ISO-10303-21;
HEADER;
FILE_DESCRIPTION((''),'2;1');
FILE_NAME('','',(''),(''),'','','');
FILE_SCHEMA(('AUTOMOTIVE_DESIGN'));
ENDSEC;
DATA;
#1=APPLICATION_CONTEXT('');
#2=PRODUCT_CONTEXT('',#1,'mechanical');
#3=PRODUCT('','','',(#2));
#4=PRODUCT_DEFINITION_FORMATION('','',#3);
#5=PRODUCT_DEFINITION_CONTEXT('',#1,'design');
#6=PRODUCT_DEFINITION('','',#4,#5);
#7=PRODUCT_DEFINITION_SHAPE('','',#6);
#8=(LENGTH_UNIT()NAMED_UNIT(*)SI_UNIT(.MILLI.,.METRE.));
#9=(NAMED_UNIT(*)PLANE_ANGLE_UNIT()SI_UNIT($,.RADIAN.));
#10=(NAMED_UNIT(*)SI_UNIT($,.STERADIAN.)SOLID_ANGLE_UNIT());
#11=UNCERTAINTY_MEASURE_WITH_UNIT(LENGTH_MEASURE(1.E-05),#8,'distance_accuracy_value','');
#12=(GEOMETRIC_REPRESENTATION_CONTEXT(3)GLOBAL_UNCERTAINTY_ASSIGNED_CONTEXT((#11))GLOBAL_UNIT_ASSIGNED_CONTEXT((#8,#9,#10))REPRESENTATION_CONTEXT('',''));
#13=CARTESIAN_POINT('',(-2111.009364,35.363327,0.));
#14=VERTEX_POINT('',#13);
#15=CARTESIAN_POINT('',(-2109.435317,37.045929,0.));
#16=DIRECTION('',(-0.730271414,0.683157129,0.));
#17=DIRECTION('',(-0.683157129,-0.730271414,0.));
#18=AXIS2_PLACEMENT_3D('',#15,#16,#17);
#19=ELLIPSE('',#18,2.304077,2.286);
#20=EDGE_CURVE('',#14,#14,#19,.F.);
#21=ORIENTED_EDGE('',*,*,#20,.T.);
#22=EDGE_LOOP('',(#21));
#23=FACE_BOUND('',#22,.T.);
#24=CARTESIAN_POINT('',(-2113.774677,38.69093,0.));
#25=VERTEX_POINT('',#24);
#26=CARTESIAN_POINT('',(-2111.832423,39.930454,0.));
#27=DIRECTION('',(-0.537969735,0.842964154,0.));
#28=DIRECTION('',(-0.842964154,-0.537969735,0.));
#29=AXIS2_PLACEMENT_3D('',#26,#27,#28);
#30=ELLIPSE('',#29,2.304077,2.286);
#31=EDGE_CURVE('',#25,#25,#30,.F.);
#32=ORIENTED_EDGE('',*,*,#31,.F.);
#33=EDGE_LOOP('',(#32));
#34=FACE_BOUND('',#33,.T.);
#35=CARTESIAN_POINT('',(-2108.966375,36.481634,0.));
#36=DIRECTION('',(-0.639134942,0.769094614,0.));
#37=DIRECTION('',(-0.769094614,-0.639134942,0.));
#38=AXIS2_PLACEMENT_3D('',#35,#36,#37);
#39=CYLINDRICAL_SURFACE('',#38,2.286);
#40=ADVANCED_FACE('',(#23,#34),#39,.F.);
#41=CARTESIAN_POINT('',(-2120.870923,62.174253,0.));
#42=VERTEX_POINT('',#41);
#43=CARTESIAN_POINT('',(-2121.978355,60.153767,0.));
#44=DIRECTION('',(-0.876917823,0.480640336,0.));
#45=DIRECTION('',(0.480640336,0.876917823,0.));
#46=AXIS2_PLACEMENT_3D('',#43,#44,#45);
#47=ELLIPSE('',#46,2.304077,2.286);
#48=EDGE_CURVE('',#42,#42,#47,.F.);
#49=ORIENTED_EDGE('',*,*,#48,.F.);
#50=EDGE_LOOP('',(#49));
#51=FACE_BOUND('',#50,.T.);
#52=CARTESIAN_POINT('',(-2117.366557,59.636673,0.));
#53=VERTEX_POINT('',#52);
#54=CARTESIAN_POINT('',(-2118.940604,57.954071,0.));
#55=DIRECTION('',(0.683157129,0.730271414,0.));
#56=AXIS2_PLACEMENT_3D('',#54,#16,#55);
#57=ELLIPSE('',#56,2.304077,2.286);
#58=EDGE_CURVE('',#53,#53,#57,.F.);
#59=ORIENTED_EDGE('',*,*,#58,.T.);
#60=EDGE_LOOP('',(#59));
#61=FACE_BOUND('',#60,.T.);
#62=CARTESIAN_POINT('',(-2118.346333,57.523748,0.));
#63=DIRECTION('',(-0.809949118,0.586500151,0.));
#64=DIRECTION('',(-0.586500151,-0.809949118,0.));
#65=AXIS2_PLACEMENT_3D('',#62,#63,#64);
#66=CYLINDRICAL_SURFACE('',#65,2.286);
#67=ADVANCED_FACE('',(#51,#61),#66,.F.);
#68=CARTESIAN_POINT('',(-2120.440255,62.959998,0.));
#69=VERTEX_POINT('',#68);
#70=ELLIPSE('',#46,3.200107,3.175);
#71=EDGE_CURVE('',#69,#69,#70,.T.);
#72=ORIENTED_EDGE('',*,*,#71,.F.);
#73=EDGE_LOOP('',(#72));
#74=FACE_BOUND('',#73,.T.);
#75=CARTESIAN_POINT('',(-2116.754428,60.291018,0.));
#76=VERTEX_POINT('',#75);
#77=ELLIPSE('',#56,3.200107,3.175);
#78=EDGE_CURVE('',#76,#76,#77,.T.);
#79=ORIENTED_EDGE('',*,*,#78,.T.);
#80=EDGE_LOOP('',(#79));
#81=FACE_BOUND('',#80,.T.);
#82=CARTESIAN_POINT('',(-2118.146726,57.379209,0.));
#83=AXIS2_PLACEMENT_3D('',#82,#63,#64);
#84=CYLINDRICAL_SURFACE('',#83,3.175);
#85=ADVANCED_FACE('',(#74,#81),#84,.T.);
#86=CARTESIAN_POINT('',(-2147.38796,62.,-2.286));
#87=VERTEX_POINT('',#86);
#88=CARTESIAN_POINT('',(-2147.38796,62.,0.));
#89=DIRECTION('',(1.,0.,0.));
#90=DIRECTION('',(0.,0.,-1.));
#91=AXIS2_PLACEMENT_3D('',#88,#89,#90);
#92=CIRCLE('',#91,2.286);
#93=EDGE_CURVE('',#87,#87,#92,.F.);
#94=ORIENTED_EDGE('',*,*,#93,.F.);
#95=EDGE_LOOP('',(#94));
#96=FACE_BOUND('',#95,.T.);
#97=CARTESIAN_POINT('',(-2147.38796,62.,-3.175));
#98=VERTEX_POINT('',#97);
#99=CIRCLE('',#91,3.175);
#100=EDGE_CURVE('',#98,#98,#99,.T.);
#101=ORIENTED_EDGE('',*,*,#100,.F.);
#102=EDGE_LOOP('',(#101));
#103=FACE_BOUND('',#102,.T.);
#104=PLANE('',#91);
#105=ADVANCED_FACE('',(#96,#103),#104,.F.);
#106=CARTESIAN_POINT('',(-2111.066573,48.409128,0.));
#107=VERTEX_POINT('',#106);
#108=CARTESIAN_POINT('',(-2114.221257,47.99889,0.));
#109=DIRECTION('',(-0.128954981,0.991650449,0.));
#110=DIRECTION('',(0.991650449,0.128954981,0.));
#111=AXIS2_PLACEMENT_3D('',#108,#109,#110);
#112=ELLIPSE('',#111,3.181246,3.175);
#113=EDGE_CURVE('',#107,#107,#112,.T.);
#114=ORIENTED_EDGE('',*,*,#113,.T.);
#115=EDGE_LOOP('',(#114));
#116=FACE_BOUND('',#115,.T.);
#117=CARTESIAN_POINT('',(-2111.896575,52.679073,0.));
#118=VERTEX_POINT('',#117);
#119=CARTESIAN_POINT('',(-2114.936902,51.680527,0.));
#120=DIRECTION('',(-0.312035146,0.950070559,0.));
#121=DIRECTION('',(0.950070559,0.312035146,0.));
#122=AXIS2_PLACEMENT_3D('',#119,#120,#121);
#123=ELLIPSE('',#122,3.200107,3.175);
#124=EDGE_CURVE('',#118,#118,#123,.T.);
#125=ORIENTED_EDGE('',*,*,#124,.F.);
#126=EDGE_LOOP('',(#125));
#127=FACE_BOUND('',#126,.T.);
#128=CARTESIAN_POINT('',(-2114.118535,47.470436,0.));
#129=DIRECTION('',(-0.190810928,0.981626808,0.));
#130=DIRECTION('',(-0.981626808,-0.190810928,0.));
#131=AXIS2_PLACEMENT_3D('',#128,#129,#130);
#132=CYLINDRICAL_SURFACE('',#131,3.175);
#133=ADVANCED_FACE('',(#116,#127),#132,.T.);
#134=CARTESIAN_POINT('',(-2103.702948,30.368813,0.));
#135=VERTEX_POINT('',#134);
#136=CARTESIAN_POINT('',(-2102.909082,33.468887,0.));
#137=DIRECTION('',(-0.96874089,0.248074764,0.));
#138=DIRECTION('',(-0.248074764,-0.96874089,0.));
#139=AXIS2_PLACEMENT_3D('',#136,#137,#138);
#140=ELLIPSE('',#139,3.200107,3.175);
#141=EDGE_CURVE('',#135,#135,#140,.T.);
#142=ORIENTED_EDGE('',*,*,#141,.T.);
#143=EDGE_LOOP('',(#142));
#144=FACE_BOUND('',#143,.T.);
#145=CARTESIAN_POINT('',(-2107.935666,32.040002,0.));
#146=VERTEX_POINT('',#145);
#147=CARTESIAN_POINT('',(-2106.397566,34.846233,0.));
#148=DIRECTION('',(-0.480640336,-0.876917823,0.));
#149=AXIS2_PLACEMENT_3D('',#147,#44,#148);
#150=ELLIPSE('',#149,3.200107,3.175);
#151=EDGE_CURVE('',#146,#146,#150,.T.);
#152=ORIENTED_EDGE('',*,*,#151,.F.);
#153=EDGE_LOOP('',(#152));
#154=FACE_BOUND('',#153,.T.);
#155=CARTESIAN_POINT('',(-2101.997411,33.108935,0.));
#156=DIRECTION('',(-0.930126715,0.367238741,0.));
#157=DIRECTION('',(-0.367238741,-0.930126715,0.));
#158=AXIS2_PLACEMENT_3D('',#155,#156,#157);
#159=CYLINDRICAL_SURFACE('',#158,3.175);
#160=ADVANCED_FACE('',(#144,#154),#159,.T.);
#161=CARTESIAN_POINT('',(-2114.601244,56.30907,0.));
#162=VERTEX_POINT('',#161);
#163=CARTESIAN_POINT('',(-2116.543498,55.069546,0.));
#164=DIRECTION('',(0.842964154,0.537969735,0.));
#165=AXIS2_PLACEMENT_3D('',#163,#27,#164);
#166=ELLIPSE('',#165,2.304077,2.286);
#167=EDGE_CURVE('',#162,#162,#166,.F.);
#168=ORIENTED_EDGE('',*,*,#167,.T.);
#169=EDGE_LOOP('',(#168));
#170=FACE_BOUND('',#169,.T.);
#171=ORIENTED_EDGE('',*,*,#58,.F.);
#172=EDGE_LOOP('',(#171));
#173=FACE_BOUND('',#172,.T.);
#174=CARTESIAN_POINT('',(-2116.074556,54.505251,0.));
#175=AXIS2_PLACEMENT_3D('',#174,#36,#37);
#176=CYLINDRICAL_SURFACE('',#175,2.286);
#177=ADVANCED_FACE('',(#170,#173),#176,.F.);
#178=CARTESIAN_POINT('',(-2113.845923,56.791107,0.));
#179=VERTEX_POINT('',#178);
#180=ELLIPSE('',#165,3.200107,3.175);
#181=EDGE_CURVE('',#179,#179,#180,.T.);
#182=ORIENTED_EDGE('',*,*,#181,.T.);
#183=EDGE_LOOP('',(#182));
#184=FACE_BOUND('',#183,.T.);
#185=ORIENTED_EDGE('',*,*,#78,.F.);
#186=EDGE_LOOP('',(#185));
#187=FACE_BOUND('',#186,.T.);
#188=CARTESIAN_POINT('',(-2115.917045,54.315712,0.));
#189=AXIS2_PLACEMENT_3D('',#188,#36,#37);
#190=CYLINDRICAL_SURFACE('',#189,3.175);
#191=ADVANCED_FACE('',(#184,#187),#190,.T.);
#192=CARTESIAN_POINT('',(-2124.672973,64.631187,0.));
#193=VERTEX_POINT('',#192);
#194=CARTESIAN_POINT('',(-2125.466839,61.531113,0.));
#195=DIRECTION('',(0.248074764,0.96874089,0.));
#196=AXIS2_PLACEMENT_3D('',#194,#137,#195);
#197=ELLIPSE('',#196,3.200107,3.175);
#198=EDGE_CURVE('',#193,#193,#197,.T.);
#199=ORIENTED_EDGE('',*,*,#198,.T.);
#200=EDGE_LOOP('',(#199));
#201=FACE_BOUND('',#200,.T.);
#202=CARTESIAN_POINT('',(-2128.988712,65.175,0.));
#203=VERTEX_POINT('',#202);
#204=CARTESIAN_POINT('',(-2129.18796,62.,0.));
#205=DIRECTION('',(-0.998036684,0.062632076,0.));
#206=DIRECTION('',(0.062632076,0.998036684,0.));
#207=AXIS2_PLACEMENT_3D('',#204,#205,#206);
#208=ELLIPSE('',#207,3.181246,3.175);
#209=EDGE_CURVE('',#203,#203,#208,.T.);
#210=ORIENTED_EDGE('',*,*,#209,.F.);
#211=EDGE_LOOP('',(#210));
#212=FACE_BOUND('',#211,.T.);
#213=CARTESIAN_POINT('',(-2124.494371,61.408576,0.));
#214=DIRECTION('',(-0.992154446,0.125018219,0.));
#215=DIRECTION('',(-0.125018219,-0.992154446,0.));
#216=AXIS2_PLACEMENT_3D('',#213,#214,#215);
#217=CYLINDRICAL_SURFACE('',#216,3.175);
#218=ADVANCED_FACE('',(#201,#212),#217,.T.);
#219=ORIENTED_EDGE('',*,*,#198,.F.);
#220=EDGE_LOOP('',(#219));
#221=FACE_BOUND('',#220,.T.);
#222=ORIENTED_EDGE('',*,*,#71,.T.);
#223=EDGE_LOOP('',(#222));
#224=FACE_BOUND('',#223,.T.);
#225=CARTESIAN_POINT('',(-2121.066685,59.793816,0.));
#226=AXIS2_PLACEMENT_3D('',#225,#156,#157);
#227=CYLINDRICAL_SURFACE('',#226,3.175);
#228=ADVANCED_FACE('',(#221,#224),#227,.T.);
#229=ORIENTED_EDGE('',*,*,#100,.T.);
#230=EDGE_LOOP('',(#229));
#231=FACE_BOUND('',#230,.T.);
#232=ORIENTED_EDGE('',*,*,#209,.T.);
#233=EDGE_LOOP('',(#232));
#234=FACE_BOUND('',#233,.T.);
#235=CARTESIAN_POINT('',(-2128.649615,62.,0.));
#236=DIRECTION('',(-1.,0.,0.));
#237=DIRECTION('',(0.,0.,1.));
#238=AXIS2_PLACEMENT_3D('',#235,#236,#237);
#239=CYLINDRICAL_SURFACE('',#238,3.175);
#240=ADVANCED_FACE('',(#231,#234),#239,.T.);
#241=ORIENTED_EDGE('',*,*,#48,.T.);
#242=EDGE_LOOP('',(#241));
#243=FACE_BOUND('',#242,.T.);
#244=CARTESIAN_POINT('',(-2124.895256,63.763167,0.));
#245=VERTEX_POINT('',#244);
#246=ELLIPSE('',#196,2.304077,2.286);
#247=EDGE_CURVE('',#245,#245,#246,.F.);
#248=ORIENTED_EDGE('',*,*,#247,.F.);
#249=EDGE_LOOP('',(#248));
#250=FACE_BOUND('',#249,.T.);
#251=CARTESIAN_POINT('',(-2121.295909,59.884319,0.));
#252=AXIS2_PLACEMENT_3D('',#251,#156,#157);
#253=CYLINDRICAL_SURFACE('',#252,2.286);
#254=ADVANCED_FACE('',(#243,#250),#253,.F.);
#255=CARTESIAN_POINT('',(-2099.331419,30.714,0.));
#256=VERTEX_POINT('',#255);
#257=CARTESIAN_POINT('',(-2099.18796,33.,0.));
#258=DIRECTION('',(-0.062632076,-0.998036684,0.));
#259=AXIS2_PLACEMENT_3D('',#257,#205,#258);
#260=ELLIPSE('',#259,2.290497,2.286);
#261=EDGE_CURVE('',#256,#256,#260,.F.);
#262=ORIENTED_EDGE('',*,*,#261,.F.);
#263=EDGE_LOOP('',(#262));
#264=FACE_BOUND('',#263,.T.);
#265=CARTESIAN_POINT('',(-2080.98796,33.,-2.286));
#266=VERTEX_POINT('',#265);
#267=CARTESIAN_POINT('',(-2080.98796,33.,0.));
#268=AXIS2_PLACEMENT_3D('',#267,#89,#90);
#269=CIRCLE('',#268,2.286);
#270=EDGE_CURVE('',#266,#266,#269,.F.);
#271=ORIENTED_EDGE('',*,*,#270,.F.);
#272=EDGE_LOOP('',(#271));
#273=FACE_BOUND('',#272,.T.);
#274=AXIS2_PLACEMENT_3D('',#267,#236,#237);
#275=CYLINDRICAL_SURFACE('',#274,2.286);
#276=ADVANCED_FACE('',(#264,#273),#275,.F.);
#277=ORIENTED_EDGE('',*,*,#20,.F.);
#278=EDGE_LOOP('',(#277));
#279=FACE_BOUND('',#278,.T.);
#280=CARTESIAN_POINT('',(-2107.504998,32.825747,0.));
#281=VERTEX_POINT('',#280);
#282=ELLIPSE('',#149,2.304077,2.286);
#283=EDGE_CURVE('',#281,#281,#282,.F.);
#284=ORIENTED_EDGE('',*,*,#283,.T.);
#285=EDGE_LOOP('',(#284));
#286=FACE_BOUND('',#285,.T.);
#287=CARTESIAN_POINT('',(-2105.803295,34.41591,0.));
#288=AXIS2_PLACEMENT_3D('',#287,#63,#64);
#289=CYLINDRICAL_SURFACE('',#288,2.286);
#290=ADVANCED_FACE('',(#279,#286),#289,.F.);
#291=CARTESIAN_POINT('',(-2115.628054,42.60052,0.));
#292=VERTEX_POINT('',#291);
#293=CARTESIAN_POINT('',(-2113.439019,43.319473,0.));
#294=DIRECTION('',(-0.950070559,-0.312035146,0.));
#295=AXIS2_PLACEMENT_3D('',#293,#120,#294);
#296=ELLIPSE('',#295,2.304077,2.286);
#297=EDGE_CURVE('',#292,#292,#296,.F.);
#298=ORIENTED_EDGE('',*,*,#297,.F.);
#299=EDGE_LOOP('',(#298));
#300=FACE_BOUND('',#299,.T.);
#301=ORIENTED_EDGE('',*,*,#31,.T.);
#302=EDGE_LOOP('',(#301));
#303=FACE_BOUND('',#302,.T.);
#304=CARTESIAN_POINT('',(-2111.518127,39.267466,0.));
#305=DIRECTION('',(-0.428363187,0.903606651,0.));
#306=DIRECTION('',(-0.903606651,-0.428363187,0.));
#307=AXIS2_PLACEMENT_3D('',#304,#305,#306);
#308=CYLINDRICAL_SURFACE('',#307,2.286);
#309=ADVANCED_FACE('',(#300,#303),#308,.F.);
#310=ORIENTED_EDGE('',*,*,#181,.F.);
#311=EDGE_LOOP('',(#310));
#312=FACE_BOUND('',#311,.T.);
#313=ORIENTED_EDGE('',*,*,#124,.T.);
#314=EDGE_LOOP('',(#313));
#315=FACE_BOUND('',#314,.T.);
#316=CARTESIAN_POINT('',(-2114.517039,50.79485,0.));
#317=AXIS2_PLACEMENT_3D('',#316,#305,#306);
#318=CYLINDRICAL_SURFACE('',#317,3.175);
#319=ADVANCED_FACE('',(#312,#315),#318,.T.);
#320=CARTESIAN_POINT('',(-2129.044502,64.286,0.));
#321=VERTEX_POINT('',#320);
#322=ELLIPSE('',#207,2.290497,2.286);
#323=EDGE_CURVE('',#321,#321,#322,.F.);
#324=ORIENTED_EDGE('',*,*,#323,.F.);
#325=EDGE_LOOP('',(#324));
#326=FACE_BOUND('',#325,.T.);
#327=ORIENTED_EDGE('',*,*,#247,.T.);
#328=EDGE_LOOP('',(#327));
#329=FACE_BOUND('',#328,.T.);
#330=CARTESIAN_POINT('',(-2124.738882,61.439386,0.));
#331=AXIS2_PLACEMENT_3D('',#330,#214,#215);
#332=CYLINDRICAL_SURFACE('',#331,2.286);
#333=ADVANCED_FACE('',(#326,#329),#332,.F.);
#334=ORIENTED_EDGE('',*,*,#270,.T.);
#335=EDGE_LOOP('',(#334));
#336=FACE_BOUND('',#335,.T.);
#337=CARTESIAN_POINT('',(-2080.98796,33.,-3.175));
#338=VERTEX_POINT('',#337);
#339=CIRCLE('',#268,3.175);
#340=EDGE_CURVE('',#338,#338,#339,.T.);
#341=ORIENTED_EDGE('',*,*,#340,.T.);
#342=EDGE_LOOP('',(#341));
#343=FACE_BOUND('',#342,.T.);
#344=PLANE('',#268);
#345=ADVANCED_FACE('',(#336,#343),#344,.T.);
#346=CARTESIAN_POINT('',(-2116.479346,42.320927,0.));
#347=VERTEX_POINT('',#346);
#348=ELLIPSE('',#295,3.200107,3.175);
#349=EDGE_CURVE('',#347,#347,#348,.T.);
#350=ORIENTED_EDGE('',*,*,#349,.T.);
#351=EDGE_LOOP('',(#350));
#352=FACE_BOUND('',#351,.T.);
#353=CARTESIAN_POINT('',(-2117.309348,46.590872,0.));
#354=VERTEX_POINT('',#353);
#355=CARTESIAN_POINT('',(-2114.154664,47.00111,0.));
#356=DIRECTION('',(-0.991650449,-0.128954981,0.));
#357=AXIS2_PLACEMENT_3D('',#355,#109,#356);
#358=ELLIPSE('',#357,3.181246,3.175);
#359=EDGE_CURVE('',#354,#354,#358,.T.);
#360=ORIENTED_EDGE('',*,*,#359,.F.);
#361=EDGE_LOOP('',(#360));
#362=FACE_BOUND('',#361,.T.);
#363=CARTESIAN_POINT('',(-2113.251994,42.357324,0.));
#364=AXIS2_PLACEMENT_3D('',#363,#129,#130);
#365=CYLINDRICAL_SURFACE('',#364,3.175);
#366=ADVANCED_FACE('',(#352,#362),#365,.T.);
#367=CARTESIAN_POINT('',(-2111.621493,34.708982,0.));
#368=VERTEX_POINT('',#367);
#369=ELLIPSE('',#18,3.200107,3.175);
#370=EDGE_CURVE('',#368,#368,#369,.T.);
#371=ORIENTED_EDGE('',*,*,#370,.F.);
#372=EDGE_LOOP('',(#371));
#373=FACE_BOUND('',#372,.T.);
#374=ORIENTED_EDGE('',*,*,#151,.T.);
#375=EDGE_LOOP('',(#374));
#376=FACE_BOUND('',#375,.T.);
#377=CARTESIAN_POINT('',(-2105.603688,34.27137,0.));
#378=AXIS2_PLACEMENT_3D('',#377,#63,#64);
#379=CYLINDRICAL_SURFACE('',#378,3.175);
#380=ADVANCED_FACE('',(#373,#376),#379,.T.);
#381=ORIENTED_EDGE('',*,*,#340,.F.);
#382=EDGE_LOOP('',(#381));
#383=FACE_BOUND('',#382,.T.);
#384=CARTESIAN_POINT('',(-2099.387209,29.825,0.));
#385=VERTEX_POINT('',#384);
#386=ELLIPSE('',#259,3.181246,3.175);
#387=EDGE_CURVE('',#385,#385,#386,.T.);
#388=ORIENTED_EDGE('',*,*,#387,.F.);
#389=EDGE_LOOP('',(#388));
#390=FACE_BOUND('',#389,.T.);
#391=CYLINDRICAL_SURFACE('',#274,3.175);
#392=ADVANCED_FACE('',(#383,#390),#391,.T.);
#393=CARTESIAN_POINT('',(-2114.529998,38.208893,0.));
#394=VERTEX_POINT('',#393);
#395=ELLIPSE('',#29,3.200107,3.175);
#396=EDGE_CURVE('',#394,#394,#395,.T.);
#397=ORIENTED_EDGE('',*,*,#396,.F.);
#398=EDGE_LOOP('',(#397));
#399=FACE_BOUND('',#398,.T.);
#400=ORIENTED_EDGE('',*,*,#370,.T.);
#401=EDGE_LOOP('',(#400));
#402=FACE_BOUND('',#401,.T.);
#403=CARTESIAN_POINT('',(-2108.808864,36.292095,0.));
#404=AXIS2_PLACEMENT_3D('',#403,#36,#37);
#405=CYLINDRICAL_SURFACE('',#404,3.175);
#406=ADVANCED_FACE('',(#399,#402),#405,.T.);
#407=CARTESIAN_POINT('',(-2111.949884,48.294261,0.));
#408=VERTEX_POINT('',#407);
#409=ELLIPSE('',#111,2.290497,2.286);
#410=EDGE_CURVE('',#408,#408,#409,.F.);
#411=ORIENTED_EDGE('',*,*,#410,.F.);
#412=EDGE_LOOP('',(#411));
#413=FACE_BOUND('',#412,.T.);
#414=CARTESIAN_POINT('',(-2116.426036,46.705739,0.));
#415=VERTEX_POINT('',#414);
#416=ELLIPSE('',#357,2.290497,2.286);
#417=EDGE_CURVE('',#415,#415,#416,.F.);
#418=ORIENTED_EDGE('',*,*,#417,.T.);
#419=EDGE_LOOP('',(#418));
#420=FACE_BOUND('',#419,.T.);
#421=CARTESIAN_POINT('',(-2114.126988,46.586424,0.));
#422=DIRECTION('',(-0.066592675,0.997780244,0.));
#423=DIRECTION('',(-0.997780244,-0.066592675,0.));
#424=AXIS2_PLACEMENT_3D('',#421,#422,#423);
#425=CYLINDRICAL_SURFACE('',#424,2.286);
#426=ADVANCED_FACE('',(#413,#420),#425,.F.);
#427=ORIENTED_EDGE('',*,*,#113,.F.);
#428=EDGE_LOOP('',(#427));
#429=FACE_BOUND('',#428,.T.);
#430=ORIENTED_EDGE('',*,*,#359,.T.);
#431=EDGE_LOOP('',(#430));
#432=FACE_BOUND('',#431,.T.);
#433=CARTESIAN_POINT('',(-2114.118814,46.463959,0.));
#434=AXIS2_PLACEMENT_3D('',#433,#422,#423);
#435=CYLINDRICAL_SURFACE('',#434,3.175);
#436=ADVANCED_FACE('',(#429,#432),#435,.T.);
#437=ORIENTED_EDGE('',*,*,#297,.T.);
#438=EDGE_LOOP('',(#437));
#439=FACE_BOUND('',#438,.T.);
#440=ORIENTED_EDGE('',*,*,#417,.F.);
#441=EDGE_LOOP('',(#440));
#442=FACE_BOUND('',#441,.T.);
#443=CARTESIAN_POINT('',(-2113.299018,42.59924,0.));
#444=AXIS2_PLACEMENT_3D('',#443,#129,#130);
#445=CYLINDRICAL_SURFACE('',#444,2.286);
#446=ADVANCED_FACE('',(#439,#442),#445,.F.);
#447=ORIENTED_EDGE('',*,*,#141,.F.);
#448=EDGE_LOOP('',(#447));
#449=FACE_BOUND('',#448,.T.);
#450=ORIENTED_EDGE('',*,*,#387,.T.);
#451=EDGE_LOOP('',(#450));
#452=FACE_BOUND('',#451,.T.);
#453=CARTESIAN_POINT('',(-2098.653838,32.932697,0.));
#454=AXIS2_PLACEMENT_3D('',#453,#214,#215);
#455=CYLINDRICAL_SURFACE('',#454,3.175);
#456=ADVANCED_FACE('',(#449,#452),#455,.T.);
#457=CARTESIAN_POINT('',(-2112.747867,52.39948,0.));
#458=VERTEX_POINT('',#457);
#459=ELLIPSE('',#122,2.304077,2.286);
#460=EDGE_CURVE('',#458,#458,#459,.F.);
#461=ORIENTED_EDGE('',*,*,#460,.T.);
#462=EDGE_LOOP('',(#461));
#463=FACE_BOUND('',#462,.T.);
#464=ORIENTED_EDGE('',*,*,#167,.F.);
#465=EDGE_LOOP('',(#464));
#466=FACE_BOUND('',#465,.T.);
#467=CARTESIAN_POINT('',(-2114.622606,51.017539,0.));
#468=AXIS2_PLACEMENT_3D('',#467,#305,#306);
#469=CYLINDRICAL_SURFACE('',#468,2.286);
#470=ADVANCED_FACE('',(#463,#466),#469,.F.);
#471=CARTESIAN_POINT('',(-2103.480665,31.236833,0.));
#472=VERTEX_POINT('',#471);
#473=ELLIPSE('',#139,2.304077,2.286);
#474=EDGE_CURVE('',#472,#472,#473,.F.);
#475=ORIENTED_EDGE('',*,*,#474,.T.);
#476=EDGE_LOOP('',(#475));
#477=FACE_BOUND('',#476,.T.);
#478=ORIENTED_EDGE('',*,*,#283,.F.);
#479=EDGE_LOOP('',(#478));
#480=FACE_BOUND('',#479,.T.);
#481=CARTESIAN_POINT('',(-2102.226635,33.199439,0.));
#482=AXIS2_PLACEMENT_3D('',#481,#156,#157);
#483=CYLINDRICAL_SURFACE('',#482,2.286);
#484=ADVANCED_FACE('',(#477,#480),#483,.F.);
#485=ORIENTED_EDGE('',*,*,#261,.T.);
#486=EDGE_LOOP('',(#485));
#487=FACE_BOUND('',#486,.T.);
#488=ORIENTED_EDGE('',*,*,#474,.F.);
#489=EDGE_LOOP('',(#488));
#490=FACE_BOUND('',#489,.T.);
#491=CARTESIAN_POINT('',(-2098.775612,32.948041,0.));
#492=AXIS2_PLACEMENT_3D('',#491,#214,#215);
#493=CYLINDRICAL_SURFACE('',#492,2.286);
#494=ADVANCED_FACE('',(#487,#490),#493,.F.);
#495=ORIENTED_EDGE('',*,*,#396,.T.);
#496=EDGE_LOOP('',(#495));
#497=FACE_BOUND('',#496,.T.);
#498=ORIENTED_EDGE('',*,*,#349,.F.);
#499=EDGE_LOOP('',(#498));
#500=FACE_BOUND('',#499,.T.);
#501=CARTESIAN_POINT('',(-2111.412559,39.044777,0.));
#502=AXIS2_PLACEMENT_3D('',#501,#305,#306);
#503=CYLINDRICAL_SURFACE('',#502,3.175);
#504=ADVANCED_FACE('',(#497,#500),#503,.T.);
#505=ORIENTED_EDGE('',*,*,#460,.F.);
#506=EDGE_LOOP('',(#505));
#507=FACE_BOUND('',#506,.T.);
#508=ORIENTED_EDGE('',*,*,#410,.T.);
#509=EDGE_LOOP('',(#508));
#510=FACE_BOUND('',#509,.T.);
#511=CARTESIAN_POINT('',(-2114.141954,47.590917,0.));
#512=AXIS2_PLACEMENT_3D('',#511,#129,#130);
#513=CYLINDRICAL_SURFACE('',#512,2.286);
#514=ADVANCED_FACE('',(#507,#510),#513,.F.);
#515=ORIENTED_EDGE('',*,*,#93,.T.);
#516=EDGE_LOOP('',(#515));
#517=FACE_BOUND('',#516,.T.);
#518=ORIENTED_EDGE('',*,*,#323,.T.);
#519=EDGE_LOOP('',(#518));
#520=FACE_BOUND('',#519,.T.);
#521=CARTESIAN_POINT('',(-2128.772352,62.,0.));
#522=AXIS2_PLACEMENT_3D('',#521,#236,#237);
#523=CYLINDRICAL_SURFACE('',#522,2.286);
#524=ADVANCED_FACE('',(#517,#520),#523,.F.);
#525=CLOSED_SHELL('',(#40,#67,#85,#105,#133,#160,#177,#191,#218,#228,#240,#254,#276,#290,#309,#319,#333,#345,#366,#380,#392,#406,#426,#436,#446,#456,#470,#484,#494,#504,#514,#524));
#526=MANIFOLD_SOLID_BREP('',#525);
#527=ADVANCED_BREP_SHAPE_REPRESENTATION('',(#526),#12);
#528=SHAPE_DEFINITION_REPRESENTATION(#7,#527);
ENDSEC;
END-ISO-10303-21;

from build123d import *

# Parameters (mm, degrees)
PROFILE_R   = 3.175
PROFILE_R_2 = 2.286


with BuildPart() as part:
    # Tube: sweep along a curve in space
    with BuildLine() as tube_path:
        Line((-2080.987960479, 33, 0), (-2099.187960479, 33, 0))
        Line((-2099.187960479, 33, 0), (-2102.909081944, 33.468886655, 0))
        Line((-2102.909081944, 33.468886655, 0), (-2106.397565517, 34.846232661, 0))
        Line((-2106.397565517, 34.846232661, 0), (-2109.435317411, 37.045928797, 0))
        Line((-2109.435317411, 37.045928797, 0), (-2111.832422782, 39.930453974, 0))
        Line((-2111.832422782, 39.930453974, 0), (-2113.439018869, 43.31947281, 0))
        Line((-2113.439018869, 43.31947281, 0), (-2114.154664142, 47.001109878, 0))
        Line((-2114.154664142, 47.001109878, 0), (-2114.221256816, 47.998890122, 0))
        Line((-2114.221256816, 47.998890122, 0), (-2114.936902089, 51.68052719, 0))
        Line((-2114.936902089, 51.68052719, 0), (-2116.543498176, 55.069546026, 0))
        Line((-2116.543498176, 55.069546026, 0), (-2118.940603547, 57.954071203, 0))
        Line((-2118.940603547, 57.954071203, 0), (-2121.978355441, 60.153767339, 0))
        Line((-2121.978355441, 60.153767339, 0), (-2125.466839013, 61.531113345, 0))
        Line((-2125.466839013, 61.531113345, 0), (-2129.187960479, 62, 0))
        Line((-2129.187960479, 62, 0), (-2147.387960479, 62, 0))
    # Profile → Tube (sweep)
    with BuildSketch(Plane(origin=(-2080.987960479, 0, 0), x_dir=(0, 0, -1), z_dir=(1, 0, 0))):
        with Locations((0, 33)):
            Circle(PROFILE_R)
        with Locations((0, 33)):
            Circle(PROFILE_R_2, mode=Mode.SUBTRACT)
    sweep(path=tube_path.line, transition=Transition.RIGHT)


solid = part.part
